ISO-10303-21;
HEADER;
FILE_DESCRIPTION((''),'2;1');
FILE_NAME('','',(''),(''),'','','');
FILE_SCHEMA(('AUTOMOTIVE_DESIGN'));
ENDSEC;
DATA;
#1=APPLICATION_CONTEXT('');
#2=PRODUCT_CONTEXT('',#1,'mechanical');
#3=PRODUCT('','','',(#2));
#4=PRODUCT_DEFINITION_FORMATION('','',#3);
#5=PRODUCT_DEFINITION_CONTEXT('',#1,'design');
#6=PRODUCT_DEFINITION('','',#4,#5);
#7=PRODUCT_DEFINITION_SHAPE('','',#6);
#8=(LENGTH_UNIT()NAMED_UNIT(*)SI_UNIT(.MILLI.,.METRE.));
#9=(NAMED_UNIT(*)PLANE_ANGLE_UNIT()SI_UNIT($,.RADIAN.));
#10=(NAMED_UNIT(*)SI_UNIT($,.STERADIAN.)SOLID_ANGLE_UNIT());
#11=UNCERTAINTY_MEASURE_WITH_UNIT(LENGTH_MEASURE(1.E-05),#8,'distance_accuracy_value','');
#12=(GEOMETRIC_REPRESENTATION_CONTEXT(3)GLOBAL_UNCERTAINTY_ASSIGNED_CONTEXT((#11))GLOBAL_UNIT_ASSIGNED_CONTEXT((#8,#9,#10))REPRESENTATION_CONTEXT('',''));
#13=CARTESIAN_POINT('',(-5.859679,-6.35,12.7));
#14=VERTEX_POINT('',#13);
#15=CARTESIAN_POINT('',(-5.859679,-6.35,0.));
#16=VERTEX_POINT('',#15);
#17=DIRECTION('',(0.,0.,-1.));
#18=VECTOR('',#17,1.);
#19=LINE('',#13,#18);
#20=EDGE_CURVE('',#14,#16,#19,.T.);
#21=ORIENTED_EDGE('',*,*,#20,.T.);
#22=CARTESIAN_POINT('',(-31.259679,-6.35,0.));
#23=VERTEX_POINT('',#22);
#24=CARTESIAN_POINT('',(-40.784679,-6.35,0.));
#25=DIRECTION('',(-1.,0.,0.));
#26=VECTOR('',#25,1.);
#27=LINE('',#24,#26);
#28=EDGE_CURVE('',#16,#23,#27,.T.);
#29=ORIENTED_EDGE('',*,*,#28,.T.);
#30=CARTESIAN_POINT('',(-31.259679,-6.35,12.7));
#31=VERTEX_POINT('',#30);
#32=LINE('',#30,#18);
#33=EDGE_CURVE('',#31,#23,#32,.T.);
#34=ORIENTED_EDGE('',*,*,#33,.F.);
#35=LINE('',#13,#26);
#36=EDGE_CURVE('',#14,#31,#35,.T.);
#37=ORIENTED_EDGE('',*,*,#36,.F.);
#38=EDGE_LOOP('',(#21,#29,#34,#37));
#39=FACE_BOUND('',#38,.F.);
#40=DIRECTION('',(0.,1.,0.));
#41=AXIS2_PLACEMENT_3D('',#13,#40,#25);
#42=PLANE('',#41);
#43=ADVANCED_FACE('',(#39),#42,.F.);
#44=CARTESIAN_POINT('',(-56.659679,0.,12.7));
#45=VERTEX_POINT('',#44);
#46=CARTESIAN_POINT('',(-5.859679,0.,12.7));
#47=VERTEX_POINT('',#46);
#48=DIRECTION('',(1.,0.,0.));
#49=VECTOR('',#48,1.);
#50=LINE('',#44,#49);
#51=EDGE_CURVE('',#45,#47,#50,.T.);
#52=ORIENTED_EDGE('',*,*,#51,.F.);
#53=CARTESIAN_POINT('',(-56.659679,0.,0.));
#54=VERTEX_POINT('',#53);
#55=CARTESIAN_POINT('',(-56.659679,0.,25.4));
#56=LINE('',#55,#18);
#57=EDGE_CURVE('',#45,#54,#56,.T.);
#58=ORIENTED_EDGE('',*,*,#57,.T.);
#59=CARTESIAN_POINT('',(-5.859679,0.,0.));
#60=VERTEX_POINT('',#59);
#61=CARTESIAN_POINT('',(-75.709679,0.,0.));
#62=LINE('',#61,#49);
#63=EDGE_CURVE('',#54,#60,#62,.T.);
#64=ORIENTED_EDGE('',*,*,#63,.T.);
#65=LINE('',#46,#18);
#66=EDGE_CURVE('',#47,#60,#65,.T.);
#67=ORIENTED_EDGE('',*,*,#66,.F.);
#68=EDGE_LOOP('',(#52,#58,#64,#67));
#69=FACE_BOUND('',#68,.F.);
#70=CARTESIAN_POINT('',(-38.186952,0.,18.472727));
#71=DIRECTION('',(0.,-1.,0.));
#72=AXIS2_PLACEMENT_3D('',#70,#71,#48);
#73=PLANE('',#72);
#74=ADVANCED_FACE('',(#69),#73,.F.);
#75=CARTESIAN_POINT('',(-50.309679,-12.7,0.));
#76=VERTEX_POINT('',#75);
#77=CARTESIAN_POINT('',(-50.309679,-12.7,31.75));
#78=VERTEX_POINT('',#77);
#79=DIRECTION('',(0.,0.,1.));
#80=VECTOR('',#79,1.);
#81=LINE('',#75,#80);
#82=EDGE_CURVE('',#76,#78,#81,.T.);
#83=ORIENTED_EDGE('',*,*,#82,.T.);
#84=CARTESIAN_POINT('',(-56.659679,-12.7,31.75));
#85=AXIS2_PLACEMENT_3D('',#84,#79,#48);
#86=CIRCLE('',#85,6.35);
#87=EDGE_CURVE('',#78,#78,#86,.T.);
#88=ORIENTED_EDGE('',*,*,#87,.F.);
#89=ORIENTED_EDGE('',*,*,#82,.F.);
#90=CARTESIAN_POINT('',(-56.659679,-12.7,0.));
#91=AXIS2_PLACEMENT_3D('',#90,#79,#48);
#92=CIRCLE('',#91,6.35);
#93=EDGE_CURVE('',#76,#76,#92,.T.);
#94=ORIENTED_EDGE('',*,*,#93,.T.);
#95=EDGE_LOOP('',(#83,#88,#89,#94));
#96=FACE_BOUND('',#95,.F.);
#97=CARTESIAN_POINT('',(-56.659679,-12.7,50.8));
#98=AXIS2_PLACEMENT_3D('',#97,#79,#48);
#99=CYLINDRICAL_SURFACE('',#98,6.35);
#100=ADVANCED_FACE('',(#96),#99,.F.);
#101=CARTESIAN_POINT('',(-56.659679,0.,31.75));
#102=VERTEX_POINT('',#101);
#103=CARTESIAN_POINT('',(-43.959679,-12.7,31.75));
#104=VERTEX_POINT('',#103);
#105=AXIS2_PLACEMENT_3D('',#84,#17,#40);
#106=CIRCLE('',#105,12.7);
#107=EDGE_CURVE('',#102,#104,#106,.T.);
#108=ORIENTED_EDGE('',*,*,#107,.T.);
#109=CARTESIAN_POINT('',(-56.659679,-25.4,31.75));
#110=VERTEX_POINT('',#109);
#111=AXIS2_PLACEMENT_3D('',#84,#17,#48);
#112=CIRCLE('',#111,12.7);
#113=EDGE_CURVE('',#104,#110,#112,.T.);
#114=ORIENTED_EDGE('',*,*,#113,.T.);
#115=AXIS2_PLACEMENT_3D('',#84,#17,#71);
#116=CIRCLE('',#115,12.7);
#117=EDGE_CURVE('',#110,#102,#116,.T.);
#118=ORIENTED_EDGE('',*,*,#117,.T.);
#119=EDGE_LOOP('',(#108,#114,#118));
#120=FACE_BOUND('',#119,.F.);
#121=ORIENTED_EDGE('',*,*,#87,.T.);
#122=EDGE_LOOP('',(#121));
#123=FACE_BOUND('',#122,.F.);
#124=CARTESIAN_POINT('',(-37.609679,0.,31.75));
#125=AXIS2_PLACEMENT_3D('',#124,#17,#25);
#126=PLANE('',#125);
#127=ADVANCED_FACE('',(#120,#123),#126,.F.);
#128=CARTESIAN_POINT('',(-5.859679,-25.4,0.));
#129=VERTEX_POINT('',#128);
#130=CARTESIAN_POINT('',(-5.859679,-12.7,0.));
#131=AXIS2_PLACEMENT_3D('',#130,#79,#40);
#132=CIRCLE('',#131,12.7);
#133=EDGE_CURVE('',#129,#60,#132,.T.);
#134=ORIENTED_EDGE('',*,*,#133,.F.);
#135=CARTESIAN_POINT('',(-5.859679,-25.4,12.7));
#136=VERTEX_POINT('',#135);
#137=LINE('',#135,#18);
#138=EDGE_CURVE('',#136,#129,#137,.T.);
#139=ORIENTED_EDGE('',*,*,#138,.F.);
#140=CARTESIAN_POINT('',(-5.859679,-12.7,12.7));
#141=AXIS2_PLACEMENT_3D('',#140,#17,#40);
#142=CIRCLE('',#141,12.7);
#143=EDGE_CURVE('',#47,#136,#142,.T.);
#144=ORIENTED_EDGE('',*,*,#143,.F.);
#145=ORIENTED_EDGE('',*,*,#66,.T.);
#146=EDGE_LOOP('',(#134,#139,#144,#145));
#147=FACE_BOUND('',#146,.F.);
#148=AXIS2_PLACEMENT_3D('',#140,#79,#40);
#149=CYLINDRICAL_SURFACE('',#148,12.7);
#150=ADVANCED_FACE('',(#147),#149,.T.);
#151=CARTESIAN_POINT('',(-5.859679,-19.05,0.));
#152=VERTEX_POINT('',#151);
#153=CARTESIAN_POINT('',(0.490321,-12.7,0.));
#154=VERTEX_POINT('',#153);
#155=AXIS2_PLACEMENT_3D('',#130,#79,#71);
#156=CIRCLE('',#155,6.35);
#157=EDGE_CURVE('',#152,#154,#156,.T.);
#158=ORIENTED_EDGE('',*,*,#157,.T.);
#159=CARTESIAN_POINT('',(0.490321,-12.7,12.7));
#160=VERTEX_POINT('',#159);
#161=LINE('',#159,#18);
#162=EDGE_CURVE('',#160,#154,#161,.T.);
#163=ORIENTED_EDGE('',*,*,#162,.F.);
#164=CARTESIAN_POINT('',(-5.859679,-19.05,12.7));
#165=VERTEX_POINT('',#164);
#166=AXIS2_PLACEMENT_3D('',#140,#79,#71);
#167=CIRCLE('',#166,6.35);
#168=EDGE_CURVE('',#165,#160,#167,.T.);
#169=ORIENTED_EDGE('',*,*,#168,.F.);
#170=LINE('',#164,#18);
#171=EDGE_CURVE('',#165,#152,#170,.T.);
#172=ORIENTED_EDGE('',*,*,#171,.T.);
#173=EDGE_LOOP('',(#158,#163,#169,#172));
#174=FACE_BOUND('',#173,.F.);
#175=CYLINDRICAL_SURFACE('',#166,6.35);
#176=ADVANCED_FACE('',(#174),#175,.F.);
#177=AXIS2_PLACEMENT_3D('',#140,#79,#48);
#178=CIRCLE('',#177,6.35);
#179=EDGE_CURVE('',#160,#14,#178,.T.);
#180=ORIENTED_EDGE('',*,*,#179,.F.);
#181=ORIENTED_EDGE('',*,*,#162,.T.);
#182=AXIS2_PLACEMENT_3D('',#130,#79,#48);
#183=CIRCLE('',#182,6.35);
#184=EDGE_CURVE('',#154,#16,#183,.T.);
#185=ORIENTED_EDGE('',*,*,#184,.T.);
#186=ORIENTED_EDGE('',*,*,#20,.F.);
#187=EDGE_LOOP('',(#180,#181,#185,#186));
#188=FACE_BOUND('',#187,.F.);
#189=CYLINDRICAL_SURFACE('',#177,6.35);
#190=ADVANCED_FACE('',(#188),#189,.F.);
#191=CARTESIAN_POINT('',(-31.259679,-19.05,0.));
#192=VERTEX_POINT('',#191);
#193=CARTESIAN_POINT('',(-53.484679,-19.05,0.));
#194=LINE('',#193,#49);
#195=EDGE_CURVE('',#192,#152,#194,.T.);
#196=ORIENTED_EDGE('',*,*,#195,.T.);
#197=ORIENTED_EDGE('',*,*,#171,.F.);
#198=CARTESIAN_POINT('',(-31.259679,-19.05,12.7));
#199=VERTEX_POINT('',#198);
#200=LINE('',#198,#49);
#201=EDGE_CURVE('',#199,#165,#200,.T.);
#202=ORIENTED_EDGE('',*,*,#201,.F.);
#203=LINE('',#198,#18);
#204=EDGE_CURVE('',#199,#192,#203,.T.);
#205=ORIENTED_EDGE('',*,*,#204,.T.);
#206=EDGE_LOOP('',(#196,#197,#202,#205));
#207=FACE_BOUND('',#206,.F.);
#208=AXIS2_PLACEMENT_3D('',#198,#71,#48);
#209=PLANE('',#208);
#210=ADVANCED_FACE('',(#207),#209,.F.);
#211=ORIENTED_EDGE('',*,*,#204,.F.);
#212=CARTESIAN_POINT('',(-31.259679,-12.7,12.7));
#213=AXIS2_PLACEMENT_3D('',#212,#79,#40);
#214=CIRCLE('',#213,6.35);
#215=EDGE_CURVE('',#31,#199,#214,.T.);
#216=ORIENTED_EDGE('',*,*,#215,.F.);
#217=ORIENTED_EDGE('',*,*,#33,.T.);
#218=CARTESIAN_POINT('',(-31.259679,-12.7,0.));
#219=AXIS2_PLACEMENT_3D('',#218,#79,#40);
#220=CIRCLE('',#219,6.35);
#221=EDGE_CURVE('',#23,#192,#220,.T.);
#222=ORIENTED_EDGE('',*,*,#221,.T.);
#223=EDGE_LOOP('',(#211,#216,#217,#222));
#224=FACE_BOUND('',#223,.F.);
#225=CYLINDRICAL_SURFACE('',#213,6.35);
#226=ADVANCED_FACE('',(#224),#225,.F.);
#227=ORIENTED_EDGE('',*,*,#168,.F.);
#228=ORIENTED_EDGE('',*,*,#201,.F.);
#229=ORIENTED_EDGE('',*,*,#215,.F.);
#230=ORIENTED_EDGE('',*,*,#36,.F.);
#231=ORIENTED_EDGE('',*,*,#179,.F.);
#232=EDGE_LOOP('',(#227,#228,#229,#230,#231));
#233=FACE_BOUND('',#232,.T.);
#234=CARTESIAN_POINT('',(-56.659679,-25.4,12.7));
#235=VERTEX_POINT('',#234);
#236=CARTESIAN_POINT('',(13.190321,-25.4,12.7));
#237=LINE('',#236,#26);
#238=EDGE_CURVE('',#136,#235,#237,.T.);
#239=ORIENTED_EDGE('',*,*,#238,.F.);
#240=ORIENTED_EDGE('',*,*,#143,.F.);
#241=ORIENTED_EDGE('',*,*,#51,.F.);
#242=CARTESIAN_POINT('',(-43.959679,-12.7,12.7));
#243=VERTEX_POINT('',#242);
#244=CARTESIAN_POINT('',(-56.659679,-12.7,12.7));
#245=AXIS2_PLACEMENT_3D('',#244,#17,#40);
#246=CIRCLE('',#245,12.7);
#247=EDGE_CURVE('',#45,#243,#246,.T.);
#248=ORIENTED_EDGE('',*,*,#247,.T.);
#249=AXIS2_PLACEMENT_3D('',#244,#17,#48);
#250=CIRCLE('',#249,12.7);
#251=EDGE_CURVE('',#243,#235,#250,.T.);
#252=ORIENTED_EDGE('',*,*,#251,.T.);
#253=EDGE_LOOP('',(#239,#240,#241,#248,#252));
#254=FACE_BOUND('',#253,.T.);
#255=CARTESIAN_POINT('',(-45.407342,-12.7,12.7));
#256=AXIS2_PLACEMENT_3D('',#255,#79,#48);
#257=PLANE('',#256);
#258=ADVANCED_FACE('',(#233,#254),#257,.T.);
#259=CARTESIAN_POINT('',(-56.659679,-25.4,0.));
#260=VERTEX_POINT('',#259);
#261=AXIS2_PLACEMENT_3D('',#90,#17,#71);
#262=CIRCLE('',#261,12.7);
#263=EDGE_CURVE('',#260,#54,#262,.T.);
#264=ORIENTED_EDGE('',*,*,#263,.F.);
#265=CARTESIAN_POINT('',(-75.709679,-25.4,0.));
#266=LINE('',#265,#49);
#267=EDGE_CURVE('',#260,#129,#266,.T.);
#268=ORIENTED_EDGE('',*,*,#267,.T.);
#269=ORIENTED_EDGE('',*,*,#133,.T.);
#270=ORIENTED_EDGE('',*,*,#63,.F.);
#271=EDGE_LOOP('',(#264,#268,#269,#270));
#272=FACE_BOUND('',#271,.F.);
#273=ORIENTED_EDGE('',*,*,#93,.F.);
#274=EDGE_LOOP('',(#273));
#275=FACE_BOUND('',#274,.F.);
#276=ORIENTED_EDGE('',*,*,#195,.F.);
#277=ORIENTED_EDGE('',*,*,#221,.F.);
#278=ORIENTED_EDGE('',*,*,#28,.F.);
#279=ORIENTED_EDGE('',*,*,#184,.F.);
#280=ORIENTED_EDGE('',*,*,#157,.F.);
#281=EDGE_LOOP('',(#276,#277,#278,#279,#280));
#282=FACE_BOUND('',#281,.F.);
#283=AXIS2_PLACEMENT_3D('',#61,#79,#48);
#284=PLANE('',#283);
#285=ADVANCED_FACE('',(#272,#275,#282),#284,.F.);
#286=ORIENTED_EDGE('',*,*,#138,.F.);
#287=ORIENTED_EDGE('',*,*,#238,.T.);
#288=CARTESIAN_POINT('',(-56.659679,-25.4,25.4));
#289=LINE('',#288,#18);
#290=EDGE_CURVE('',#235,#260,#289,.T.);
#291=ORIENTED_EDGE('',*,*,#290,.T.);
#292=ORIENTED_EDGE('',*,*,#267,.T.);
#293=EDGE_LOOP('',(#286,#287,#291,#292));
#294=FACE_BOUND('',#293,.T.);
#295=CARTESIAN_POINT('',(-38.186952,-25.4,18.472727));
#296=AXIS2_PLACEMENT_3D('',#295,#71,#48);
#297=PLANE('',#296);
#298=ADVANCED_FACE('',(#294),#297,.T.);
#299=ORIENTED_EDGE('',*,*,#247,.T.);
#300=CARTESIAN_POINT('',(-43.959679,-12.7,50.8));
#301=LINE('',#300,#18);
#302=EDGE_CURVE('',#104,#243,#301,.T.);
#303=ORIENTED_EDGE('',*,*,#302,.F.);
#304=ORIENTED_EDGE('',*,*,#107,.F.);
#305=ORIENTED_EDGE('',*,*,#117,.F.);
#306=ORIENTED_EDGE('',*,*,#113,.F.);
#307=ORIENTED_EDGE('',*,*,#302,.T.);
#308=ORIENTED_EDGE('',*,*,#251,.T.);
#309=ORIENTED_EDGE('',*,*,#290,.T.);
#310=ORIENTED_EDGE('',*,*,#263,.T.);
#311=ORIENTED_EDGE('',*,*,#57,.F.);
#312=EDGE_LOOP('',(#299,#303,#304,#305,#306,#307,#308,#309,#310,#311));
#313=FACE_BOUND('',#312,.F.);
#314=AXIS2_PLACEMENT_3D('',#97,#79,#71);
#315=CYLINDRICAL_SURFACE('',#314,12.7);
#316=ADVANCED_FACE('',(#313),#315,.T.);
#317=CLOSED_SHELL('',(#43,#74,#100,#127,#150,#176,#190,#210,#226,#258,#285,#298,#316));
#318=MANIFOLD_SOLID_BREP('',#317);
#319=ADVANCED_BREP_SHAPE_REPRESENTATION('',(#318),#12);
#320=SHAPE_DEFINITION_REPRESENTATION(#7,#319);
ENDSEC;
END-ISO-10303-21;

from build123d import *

# Parameters (mm, degrees)
F1_DEPTH  = 25.4
F2_R      = 6.35
F3_DEPTH  = 38.1
F5_DEPTH  = 25.4
F7_DEPTH  = 25.4
F8_DEPTH  = 25.4
F9_DEPTH  = 25.4
F11_DEPTH = 25.4
F12_DEPTH = 19.05


with BuildPart() as f1:
    # F0 (on Front) → F1 (new body)
    with BuildSketch(Plane.XZ):
        Polygon((-37.6096788886, 50.8), (-75.7096788886, 50.8), (-75.7096788886, 0), (13.1903211114, 0), (13.1903211114, 12.7), (-37.6096788886, 12.7), align=None)
    extrude(amount=F1_DEPTH)

    # F2 (on face) → F3 (cut)
    with BuildSketch(Plane.XY.offset(50.8)):
        with BuildLine():
            ThreePointArc((-56.6596788886, 0), (-47.6794227675, -3.7197438789), (-43.9596788886, -12.7))
            ThreePointArc((-43.9596788886, -12.7), (-47.6794227675, -21.6802561211), (-56.6596788886, -25.4))
            Line((-56.6596788886, -25.4), (-37.6096788886, -25.4))
            Line((-37.6096788886, -25.4), (-37.6096788886, 0))
            Line((-37.6096788886, 0), (-56.6596788886, 0))
        make_face()
        with Locations((-56.6596788886, -12.7)):
            Circle(F2_R)
    extrude(amount=-F3_DEPTH, mode=Mode.SUBTRACT)

    # F4 (on face) → F5 (cut)
    with BuildSketch(Plane.XZ.offset(25.4)):
        with BuildLine():
            ThreePointArc((-74.1441026044, 0), (-75.2174849859, 1.8027068987), (-75.7096788886, 3.842228181))
            Line((-75.7096788886, 3.842228181), (-75.7096788886, 0))
            Line((-75.7096788886, 0), (-74.1441026044, 0))
        make_face()
    extrude(amount=-F5_DEPTH, mode=Mode.SUBTRACT)

    # F6 (on face) → F7 (cut)
    with BuildSketch(Plane.XY.offset(50.8)):
        with BuildLine():
            ThreePointArc((-56.6596788886, -25.4), (-69.3596788886, -12.7), (-56.6596788886, 0))
            Line((-56.6596788886, 0), (-75.7096788886, 0))
            Line((-75.7096788886, 0), (-75.7096788886, -25.4))
            Line((-75.7096788886, -25.4), (-56.6596788886, -25.4))
        make_face()
    extrude(amount=-F7_DEPTH, mode=Mode.SUBTRACT)

    # F8 (cut): a face of the model
    f8_faces = [f1.faces().sort_by_distance(p)[0] for p in [
        (-70.7292854187, -12.7, 25.4),
    ]]
    extrude(f8_faces, amount=-F8_DEPTH, mode=Mode.SUBTRACT)

    # F9 (cut): a face of the model
    f9_faces = [f1.faces().sort_by_distance(p)[0] for p in [
        (-56.6596788886, -12.7, 12.7),
    ]]
    extrude(f9_faces, amount=-F9_DEPTH, mode=Mode.SUBTRACT)

    # F10 (on face) → F11 (cut)
    with BuildSketch(Plane.XY.offset(12.7)):
        with BuildLine():
            ThreePointArc((-31.2596788886, -19.05), (-26.7695508281, -17.1901280605), (-24.9096788886, -12.7))
            ThreePointArc((-24.9096788886, -12.7), (-26.7695508281, -8.2098719395), (-31.2596788886, -6.35))
            ThreePointArc((-31.2596788886, -6.35), (-37.6096788886, -12.7), (-31.2596788886, -19.05))
        make_face()
        with BuildLine():
            ThreePointArc((-31.2596788886, -6.35), (-26.7695508281, -8.2098719395), (-24.9096788886, -12.7))
            ThreePointArc((-24.9096788886, -12.7), (-26.7695508281, -17.1901280605), (-31.2596788886, -19.05))
            Line((-31.2596788886, -19.05), (-5.8596788886, -19.05))
            ThreePointArc((-5.8596788886, -19.05), (-12.2096788886, -12.7), (-5.8596788886, -6.35))
            Line((-5.8596788886, -6.35), (-31.2596788886, -6.35))
        make_face()
        with BuildLine():
            ThreePointArc((0.4903211114, -12.7), (-1.3695508281, -8.2098719395), (-5.8596788886, -6.35))
            ThreePointArc((-5.8596788886, -6.35), (-12.2096788886, -12.7), (-5.8596788886, -19.05))
            ThreePointArc((-5.8596788886, -19.05), (-1.3695508281, -17.1901280605), (0.4903211114, -12.7))
        make_face()
        with BuildLine():
            ThreePointArc((-5.8596788886, 0), (6.8403211114, -12.7), (-5.8596788886, -25.4))
            Line((-5.8596788886, -25.4), (13.1903211114, -25.4))
            Line((13.1903211114, -25.4), (13.1903211114, 0))
            Line((13.1903211114, 0), (-5.8596788886, 0))
        make_face()
    extrude(amount=-F11_DEPTH, mode=Mode.SUBTRACT)

    # F12 (cut): a face of the model
    f12_faces = [f1.faces().sort_by_distance(p)[0] for p in [
        (-56.6596788886, -0.3592102448, 50.8),
    ]]
    extrude(f12_faces, amount=-F12_DEPTH, mode=Mode.SUBTRACT)


solid = f1.part
